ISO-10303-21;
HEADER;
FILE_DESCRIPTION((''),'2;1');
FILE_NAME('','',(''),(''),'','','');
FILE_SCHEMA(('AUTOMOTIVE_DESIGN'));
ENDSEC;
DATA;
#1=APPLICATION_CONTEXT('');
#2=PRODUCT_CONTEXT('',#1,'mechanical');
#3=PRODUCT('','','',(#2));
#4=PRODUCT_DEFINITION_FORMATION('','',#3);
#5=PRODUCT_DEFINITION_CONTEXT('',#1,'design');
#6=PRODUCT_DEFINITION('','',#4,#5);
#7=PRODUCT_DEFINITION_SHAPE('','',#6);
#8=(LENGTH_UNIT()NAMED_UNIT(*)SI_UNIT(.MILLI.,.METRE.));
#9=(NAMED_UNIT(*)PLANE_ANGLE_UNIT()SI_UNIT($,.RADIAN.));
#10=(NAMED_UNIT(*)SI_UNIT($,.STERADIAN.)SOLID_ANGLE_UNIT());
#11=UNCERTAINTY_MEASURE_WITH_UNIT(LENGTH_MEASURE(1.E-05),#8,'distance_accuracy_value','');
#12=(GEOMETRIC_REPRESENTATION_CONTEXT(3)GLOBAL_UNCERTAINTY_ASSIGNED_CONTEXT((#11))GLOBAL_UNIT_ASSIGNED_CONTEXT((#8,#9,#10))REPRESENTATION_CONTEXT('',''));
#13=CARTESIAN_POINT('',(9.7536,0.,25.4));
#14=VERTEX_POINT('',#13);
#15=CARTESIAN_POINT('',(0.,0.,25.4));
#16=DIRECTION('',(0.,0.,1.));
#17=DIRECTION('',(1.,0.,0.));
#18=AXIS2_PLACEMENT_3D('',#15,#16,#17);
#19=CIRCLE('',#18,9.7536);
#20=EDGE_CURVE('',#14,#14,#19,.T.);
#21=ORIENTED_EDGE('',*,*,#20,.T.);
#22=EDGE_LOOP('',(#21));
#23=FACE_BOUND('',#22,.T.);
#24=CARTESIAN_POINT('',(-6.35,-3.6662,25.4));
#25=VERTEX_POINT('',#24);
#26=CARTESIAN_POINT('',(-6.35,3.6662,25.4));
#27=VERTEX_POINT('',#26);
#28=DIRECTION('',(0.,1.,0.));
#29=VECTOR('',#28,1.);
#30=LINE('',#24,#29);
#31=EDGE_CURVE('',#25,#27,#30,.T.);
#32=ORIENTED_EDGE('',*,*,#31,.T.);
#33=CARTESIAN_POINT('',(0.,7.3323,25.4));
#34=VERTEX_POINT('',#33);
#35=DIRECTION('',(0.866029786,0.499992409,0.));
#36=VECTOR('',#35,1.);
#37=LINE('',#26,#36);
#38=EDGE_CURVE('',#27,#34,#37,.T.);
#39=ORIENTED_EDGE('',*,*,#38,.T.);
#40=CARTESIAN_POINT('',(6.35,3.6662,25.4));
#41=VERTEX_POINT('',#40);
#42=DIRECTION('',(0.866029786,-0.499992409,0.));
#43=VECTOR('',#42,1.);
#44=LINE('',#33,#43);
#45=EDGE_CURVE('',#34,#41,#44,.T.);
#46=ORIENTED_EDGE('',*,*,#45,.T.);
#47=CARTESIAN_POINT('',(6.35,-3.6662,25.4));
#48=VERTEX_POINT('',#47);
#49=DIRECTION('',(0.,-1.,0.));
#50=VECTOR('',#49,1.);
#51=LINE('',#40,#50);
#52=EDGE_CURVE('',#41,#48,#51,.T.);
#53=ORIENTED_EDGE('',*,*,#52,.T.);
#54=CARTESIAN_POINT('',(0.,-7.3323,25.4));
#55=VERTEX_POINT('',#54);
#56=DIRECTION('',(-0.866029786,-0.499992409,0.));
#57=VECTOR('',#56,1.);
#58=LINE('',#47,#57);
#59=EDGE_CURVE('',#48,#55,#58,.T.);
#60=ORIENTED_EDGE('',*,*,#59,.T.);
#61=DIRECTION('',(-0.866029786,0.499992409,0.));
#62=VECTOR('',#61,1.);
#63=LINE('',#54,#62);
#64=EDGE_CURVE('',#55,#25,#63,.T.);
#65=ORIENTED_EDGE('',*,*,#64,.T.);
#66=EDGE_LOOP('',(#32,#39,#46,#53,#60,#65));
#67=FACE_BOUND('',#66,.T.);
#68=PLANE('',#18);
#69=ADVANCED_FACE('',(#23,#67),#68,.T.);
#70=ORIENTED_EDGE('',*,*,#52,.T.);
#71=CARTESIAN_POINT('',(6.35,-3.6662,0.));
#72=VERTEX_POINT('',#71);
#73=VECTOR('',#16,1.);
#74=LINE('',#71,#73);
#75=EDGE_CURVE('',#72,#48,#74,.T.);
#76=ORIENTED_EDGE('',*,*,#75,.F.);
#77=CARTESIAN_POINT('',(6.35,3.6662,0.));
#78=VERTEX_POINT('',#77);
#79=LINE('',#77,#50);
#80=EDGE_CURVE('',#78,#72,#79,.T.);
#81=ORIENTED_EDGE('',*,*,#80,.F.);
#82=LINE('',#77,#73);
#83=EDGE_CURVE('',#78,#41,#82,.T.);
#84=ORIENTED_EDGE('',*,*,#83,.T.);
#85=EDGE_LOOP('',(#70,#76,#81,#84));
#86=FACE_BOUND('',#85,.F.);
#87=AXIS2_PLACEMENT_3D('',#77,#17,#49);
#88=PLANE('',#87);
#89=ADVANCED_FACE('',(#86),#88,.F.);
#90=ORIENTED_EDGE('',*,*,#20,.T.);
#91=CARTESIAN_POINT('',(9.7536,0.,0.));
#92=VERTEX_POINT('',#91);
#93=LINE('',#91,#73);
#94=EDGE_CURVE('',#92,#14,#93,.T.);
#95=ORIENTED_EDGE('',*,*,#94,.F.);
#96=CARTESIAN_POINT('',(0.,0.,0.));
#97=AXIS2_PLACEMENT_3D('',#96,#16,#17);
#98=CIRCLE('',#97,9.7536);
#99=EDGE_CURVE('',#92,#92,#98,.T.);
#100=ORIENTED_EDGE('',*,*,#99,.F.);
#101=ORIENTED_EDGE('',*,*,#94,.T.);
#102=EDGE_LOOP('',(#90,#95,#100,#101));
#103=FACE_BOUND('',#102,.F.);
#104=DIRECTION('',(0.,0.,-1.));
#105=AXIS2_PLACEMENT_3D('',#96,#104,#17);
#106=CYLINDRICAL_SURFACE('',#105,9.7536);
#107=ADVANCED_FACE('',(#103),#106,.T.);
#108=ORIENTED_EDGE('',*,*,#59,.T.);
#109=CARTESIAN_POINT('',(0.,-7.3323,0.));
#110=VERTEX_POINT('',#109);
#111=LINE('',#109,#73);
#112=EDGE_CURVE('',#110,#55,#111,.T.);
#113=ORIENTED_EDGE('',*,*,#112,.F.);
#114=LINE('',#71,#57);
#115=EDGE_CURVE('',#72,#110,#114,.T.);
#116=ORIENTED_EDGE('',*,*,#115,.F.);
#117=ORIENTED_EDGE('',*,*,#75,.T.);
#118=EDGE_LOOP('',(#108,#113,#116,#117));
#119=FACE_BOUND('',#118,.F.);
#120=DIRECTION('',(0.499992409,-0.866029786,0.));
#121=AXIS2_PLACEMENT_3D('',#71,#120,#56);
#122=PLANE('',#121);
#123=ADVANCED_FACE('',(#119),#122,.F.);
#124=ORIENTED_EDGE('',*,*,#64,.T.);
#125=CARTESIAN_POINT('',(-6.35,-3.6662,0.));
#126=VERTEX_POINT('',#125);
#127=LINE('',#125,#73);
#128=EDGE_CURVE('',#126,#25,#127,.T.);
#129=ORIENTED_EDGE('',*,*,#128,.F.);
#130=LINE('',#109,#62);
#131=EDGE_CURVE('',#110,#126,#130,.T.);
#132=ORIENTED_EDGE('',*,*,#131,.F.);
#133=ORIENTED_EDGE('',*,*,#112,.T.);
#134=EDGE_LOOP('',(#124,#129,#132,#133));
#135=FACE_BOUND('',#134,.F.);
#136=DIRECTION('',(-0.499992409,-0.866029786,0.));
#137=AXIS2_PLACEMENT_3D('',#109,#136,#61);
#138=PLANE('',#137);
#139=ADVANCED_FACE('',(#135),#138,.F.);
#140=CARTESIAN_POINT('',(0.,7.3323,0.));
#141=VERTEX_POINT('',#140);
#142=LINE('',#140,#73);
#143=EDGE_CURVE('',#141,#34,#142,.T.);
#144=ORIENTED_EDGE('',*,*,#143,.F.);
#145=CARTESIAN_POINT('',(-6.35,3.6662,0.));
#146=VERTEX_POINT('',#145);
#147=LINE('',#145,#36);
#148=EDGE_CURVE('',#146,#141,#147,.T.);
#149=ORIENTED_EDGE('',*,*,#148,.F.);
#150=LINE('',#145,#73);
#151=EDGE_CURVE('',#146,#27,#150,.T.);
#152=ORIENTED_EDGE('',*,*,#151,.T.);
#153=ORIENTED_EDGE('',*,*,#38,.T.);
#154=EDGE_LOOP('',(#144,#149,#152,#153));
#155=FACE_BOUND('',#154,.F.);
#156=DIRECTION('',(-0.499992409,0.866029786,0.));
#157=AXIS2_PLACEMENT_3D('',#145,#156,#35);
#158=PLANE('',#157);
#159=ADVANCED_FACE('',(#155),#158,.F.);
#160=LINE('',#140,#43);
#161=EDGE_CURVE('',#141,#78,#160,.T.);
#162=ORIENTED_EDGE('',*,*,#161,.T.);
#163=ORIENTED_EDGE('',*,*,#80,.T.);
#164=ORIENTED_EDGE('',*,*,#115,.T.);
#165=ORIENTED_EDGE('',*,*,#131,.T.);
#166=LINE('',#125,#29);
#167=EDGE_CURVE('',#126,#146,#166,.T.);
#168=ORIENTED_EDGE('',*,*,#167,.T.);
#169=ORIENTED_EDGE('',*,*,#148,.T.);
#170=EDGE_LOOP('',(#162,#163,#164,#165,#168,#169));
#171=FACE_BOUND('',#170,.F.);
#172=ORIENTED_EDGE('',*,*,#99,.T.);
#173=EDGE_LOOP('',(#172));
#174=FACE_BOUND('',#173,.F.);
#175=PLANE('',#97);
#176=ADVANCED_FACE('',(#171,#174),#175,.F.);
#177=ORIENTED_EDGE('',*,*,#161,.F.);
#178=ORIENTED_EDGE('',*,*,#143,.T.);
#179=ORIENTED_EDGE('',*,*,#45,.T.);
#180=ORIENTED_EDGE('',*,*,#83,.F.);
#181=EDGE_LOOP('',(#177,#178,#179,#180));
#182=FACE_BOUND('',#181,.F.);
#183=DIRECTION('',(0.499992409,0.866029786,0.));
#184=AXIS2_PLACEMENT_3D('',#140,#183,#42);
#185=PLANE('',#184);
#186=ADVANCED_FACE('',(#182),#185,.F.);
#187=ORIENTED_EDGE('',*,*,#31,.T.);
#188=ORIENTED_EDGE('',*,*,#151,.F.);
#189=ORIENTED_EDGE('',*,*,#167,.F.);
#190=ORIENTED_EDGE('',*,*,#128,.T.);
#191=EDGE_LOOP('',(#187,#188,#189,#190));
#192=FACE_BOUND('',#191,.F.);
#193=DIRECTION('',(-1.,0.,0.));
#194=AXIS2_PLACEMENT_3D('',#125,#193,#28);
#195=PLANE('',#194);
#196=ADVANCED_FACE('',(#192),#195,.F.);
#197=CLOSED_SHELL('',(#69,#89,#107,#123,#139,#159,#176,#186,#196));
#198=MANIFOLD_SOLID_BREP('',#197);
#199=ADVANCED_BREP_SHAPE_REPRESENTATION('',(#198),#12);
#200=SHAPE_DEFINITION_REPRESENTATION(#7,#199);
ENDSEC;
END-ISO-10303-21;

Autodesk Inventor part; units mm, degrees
ref_plane "YZ Plane" through (0, 0, 0) normal (1, 0, 0) x (0, 1, 0)
ref_plane "XZ Plane" through (0, 0, 0) normal (0, 1, 0) x (-1, 0, 0)
ref_plane "XY Plane" through (0, 0, 0) normal (0, 0, 1) x (1, 0, 0)
sketch "Sketch1" plane through (0, 0, 0) normal (0, 0, 1) x (1, 0, 0)
  circle A0 centre (0, 0) radius 9.7536
  line L0 (0, 7.3323) -> (6.35, 3.6662)
  line L1 (6.35, 3.6662) -> (6.35, -3.6662)
  line L2 (6.35, -3.6662) -> (0, -7.3323)
  line L3 (0, -7.3323) -> (-6.35, -3.6662)
  line L4 (-6.35, -3.6662) -> (-6.35, 3.6662)
  line L5 (-6.35, 3.6662) -> (0, 7.3323)
  dimension "d0" = 12.7
  dimension "d1" = 19.5072
extrude "Extrusion1" add sketch "Sketch1" along normal blind 25.4
properties part number "Spacer_0.5hex_1" material "Acetal Resin, Black"
